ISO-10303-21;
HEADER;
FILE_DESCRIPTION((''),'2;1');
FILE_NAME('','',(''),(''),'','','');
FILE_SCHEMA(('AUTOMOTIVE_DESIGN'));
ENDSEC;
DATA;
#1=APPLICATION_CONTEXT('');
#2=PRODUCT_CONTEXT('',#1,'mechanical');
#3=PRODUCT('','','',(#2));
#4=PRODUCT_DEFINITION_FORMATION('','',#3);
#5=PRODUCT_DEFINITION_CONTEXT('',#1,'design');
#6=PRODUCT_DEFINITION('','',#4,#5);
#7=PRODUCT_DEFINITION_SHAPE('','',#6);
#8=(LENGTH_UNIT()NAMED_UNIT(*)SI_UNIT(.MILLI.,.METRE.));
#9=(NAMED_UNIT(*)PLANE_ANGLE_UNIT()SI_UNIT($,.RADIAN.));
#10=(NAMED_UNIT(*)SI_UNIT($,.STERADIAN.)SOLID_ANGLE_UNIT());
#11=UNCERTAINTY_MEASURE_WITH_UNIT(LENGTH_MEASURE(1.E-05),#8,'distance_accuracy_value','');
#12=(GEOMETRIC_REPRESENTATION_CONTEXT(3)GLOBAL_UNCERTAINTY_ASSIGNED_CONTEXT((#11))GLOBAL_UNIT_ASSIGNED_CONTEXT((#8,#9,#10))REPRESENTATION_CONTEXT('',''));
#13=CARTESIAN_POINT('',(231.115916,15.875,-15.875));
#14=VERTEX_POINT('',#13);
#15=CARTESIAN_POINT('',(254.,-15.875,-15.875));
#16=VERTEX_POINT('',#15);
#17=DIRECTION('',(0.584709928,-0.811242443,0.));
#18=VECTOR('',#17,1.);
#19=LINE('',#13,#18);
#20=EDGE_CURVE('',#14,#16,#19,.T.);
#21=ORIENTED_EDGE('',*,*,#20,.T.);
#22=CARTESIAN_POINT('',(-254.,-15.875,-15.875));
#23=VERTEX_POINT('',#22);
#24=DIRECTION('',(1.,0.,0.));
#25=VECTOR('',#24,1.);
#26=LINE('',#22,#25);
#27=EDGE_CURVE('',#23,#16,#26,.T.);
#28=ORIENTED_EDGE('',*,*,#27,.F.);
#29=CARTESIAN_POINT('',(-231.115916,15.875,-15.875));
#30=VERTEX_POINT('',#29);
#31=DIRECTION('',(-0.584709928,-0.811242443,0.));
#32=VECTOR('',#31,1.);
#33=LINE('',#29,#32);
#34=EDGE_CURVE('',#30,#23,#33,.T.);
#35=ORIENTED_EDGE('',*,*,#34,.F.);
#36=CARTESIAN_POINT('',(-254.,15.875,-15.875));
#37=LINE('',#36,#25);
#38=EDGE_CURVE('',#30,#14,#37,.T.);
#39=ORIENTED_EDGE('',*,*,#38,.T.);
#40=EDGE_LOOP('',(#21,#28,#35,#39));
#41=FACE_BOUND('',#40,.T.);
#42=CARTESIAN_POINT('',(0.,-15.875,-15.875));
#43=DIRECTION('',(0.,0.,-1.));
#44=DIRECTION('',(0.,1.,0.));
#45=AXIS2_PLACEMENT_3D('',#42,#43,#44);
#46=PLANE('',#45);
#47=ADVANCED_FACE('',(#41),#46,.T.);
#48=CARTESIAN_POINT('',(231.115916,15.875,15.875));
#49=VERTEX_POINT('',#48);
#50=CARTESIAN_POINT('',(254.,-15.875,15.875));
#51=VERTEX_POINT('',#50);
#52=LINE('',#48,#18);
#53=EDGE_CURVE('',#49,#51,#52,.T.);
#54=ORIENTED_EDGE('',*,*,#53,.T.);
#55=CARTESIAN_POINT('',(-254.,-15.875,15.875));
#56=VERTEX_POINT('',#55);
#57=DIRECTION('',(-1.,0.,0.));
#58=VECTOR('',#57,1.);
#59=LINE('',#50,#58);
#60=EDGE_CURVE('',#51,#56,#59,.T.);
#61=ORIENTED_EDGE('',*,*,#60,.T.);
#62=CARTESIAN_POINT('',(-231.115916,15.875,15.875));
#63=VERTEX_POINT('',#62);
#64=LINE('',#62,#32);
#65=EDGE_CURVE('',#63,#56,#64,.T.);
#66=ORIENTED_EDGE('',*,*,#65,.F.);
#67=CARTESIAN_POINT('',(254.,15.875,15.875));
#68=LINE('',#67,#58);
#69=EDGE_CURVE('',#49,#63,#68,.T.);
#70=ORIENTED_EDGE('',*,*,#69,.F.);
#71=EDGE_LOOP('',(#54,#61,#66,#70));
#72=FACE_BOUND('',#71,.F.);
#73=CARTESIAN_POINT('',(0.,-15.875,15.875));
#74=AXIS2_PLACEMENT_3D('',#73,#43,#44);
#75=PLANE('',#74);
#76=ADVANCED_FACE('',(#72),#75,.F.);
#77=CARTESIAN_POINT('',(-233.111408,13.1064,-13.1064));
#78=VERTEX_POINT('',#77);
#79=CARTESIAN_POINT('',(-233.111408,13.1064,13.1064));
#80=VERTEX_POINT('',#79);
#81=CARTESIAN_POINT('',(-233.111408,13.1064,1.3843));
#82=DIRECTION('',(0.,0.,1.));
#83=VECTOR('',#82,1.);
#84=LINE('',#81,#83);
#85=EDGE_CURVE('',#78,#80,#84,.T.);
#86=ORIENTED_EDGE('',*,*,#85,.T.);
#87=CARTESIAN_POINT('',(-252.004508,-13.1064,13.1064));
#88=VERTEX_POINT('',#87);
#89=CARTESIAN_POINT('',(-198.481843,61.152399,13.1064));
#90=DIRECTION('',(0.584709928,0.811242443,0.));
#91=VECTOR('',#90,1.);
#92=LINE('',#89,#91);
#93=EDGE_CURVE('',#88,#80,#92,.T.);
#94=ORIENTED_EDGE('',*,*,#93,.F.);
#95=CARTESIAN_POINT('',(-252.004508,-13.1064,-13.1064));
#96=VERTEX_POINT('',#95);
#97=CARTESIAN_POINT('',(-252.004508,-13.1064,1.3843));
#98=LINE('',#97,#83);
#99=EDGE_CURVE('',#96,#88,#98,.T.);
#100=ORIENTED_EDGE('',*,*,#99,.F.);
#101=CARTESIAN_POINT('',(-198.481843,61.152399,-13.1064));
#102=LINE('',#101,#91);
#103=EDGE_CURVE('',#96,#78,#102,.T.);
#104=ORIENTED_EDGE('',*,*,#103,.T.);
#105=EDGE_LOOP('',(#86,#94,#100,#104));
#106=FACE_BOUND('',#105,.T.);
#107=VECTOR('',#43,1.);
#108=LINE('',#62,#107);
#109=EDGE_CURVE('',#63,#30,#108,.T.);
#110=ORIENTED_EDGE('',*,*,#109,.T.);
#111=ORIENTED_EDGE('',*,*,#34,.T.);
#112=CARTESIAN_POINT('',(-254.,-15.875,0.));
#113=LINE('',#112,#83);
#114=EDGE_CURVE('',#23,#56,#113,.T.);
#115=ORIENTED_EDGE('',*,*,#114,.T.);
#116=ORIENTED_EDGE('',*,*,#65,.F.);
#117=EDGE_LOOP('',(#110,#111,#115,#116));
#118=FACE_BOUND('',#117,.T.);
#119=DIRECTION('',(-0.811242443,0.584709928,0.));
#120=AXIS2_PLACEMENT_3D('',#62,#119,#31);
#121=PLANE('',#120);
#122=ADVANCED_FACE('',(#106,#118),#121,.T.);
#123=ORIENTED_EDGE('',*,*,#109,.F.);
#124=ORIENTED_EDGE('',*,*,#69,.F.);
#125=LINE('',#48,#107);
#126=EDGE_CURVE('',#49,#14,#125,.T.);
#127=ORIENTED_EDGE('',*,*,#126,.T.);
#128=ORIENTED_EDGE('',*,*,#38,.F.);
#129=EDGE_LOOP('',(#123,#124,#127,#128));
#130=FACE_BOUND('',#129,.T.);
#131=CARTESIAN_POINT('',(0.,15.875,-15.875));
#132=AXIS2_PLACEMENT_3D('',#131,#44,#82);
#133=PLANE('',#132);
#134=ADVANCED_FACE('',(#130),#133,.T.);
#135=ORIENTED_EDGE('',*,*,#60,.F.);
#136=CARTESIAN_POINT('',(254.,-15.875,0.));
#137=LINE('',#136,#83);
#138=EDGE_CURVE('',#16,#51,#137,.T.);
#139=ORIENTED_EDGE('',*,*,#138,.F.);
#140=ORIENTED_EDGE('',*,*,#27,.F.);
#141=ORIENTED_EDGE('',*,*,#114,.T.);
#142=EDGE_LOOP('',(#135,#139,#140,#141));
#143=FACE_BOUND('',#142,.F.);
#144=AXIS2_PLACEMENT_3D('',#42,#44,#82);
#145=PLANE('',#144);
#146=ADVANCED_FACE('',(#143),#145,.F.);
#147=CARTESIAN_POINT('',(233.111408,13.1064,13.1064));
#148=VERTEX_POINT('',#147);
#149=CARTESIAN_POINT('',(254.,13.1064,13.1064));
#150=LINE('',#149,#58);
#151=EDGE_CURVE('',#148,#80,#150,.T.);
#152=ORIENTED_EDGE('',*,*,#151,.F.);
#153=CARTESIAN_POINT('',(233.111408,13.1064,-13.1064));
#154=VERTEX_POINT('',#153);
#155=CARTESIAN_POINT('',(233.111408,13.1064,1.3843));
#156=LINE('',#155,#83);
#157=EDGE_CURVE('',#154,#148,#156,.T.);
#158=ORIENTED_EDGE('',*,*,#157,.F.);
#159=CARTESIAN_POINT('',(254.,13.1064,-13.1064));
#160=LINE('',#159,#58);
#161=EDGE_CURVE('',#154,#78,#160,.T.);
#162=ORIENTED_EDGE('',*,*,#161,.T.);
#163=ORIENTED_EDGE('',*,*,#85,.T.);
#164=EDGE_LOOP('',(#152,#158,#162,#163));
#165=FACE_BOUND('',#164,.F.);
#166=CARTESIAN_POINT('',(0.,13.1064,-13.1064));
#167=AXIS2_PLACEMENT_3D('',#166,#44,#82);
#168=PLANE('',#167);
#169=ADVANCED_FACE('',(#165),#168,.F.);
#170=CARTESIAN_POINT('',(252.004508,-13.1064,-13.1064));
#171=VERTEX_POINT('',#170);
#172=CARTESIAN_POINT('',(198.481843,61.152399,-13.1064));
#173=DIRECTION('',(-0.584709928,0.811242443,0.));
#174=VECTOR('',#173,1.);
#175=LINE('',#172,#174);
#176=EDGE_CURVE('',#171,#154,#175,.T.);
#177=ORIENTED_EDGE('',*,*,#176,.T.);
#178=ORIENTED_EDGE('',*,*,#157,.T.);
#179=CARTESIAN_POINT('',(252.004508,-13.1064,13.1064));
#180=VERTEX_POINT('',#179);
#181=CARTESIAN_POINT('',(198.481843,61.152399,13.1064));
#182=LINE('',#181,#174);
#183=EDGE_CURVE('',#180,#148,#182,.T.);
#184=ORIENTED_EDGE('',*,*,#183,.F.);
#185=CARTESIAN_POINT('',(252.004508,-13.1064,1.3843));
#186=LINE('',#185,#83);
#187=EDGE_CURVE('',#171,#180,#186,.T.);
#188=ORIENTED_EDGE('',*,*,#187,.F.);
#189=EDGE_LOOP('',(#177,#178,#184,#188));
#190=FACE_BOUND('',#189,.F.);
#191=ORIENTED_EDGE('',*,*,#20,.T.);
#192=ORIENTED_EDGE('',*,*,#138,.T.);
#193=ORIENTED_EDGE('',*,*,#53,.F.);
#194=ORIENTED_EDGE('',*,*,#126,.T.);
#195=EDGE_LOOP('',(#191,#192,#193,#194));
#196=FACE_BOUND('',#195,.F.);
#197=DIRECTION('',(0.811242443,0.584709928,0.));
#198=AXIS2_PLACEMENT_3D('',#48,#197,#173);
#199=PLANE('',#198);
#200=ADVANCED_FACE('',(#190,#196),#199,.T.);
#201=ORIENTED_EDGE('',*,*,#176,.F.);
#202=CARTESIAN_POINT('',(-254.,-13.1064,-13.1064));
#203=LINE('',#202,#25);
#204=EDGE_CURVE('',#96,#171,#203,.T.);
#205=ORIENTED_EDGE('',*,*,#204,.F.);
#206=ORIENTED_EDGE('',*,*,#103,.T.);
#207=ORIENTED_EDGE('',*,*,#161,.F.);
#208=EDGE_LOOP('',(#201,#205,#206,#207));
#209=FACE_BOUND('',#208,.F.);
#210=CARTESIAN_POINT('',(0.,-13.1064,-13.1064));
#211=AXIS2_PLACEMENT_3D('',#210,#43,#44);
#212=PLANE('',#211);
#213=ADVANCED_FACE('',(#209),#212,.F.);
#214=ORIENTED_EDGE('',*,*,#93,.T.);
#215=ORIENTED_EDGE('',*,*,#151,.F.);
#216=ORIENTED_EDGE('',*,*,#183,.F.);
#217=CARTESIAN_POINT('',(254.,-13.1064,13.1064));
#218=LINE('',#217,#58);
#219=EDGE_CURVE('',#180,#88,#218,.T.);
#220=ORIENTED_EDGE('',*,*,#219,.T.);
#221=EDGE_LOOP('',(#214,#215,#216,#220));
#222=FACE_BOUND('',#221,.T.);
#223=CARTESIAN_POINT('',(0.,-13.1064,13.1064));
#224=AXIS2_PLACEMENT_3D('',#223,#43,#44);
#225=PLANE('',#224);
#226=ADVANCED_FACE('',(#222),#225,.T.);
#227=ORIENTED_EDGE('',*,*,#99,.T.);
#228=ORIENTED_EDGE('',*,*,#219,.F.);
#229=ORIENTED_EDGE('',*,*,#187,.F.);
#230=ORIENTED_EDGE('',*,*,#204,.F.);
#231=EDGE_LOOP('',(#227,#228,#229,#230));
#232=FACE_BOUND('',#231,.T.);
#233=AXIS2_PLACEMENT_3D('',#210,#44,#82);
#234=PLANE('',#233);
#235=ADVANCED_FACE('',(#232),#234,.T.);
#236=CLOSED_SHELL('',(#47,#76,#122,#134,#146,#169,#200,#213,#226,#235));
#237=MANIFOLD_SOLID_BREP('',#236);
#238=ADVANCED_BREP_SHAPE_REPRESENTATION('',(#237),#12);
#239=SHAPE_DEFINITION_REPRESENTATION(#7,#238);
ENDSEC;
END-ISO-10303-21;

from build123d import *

# Parameters (mm, degrees)
SKETCH_W       = 31.75
SKETCH_H       = 31.75
SKETCH_W_2     = 26.2128
SKETCH_H_2     = 26.2128
PAD_DEPTH      = 254
PAD_DEPTH_BACK = 254
POCKET_DEPTH   = 31.75


with BuildPart() as part:
    # Sketch → Pad (new body, two sides)
    with BuildSketch(Plane.YZ) as pad_sk:
        Rectangle(SKETCH_W, SKETCH_H)
        Rectangle(SKETCH_W_2, SKETCH_H_2, mode=Mode.SUBTRACT)
    extrude(amount=PAD_DEPTH)
    extrude(pad_sk.sketch, amount=-PAD_DEPTH_BACK)

    # Sketch002 → Pocket (cut)
    with BuildSketch(Plane(origin=(0, 0, 15.875), x_dir=(0, -1, 0), z_dir=(0, 0, 1))):
        Polygon((15.875, -254), (-15.875, -254), (-15.875, -231.115916), align=None)
    pocket = extrude(amount=-POCKET_DEPTH, mode=Mode.SUBTRACT)

    # Mirrored: Pocket across Sketch002 H_Axis
    add(pocket.mirror(Plane(origin=(0, 0, 15.875), x_dir=(0, 0, 1), z_dir=(1, 0, 0))), mode=Mode.SUBTRACT)


solid = part.part
